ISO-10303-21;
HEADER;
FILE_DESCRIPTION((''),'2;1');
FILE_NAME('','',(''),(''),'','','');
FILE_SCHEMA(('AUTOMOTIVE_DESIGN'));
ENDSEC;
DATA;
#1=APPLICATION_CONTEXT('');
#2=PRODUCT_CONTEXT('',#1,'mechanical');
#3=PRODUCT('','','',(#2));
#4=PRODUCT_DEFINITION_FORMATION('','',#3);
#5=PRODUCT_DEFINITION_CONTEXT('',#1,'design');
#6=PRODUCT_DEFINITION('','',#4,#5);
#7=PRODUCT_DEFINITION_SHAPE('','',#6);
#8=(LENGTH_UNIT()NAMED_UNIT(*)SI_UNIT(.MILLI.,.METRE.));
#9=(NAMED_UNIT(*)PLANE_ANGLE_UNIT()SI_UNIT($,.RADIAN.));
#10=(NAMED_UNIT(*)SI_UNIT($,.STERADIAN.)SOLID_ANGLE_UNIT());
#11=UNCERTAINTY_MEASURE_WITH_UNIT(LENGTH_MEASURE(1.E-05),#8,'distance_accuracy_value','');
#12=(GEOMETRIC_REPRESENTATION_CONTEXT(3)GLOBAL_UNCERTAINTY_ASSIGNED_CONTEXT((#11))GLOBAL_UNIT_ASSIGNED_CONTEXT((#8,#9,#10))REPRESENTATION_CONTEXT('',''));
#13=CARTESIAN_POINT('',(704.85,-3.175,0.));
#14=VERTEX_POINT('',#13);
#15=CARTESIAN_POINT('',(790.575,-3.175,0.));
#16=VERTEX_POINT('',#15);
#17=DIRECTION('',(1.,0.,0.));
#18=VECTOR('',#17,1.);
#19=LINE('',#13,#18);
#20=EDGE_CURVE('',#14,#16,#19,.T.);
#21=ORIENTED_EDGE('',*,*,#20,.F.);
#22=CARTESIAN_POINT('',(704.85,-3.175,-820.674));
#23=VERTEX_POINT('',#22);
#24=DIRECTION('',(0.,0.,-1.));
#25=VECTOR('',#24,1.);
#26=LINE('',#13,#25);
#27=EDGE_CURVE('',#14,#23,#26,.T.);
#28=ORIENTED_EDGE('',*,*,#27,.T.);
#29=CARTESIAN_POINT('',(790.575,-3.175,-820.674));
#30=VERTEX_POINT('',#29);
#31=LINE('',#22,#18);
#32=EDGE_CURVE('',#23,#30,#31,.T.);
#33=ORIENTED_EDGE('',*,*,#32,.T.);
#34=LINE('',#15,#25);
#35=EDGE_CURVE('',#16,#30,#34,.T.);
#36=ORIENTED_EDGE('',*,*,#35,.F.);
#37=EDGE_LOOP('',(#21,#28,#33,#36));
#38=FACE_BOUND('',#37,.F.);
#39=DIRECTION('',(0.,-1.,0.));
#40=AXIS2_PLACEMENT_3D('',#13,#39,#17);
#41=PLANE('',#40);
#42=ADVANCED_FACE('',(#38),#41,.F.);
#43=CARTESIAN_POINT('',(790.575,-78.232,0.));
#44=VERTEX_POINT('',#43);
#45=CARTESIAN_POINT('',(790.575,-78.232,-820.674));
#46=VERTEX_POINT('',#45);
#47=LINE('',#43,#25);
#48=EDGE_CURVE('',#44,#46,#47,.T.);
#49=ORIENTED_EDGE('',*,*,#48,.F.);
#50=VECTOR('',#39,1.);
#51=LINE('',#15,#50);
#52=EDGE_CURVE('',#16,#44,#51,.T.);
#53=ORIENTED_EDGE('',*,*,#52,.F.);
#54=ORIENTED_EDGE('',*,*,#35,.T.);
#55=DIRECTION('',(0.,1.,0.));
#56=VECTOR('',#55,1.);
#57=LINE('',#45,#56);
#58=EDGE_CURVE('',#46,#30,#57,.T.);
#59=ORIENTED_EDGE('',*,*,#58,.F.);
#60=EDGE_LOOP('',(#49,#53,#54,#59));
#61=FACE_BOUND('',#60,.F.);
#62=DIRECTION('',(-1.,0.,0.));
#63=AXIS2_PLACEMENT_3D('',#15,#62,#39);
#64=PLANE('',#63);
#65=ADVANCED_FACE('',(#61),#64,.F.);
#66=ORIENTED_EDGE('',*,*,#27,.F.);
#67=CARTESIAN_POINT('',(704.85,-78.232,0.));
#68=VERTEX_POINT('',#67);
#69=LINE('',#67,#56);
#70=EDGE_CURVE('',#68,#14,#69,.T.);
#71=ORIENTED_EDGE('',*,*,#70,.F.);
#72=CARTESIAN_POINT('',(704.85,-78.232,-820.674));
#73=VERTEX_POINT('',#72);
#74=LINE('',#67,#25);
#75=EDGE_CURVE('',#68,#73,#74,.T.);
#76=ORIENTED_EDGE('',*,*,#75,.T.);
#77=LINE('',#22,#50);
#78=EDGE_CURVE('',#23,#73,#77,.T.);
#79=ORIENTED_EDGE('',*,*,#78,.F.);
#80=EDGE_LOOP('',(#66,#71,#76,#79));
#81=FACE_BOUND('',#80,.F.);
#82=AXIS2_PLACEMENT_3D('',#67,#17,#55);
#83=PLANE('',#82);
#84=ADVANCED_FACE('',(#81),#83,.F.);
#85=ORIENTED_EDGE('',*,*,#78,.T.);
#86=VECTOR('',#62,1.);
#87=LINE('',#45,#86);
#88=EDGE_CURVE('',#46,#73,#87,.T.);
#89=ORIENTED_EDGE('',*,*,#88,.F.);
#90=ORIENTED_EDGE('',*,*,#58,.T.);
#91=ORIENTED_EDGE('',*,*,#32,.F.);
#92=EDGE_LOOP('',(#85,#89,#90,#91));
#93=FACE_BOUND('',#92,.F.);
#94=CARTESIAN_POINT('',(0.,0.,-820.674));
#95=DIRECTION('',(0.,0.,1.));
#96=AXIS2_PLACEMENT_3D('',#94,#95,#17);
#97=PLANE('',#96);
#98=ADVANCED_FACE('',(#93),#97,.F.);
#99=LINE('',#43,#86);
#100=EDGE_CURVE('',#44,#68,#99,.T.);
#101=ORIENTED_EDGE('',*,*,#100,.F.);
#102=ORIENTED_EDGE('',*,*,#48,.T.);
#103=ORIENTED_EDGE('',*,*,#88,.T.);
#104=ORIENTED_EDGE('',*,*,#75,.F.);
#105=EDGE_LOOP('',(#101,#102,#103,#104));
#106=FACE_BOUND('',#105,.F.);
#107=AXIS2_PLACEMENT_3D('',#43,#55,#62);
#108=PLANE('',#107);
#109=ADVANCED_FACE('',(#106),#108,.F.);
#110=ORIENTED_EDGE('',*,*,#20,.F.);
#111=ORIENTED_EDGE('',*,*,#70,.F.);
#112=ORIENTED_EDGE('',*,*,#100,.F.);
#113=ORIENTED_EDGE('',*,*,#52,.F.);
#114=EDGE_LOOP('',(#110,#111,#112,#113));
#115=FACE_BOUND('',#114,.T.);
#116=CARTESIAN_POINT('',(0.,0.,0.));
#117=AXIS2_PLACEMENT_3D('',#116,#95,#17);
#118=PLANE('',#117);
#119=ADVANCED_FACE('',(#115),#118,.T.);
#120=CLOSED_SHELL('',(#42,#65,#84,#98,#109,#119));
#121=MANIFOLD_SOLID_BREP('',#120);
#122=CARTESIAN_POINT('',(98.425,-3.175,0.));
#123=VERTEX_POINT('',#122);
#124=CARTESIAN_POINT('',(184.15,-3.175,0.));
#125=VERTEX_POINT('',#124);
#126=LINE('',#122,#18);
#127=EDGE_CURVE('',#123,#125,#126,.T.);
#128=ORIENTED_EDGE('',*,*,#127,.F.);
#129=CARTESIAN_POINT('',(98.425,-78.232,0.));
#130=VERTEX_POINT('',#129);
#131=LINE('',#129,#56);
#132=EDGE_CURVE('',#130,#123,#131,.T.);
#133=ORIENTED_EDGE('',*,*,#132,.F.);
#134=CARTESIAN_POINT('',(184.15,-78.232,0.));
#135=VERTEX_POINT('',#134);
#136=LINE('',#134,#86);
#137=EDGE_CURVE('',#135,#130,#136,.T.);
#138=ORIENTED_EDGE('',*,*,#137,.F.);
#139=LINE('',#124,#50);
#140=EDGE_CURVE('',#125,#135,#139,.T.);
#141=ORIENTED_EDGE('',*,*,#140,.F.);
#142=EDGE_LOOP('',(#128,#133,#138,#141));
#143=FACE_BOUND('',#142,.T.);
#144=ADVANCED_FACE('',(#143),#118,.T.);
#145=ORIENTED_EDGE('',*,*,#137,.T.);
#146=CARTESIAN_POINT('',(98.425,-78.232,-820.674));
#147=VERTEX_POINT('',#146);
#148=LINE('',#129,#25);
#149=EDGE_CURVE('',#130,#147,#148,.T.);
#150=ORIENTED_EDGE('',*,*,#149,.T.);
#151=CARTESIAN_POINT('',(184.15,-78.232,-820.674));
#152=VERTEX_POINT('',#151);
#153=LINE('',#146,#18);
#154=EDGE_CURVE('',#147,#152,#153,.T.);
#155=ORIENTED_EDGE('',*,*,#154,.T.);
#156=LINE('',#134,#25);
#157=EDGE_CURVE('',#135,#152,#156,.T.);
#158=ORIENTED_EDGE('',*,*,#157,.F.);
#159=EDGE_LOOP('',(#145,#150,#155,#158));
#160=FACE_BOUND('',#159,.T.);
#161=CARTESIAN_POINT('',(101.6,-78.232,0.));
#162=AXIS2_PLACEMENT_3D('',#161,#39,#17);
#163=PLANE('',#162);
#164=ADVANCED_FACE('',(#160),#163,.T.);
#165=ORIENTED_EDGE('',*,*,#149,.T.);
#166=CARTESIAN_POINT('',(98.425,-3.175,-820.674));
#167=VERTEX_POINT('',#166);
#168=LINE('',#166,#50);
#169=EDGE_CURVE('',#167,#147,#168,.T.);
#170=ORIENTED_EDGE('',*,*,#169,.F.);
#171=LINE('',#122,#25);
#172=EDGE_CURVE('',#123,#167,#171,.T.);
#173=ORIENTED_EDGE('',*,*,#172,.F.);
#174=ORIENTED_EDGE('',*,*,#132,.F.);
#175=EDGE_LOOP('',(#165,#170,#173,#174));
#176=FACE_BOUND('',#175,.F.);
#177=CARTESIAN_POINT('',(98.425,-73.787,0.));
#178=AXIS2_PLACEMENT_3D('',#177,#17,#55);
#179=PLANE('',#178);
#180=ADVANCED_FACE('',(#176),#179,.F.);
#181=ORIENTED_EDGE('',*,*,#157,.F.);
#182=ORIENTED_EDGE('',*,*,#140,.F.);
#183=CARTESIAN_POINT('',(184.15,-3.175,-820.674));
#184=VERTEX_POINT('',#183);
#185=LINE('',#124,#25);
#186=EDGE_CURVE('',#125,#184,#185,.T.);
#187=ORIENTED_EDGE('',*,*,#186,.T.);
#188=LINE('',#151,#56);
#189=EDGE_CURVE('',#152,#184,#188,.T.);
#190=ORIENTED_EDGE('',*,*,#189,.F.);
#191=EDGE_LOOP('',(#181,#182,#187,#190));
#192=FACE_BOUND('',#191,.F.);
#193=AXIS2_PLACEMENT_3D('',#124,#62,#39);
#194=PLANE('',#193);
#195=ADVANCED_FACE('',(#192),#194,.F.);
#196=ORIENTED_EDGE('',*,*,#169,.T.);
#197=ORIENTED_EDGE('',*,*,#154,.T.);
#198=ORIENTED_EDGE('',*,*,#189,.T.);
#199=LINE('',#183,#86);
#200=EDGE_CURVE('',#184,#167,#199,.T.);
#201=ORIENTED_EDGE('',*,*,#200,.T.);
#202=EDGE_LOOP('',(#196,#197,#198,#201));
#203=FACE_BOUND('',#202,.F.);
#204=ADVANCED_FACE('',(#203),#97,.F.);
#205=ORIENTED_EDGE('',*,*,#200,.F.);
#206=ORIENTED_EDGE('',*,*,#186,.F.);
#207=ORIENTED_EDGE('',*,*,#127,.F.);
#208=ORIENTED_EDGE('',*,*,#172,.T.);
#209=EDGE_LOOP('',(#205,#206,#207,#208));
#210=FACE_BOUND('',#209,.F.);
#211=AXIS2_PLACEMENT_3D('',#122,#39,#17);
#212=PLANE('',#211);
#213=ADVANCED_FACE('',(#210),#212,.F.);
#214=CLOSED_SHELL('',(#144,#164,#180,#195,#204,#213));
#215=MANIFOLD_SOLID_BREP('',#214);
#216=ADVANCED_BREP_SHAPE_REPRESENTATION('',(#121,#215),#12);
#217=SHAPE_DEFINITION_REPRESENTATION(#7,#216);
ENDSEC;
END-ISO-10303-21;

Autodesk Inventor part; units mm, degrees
ref_plane "YZ Plane" through (0, 0, 0) normal (1, 0, 0) x (0, 1, 0)
ref_plane "XZ Plane" through (0, 0, 0) normal (0, 1, 0) x (-1, 0, 0)
sketch "Sketch1" plane through (0, 0, 0) normal (0, 0, 1) x (1, 0, 0)
  line L0 (98.425, -73.787) -> (98.425, -3.937)
  line L1 (184.15, -3.937) -> (184.15, -73.787)
  line L2 (101.6, -78.232) -> (340.5326, -78.232)
  line L3 (98.425, -3.175) -> (184.15, -3.175)
  line L4 (184.15, -3.175) -> (184.15, -78.232)
  line L5 (184.15, -78.232) -> (98.425, -78.232)
  line L6 (98.425, -78.232) -> (98.425, -3.175)
  line L7 (704.85, -3.175) -> (790.575, -3.175)
  line L8 (790.575, -3.175) -> (790.575, -78.232)
  line L9 (790.575, -78.232) -> (704.85, -78.232)
  line L10 (704.85, -78.232) -> (704.85, -3.175)
  line L11 (790.575, -3.937) -> (790.575, -73.787)
  line L12 (704.85, -73.787) -> (704.85, -3.937)
  line L13 (99.187, -3.175) -> (111.125, -3.175)
  point P0 (0, 0)
ref_plane "Work Plane1" through (101.6, -77.47, -820.674) normal (0, 0, -1) x (0, 1, 0)
extrude "Extrusion1" add sketch "Sketch1" against normal up to surface (820.674 mm away)
properties part number "WheelMod"
